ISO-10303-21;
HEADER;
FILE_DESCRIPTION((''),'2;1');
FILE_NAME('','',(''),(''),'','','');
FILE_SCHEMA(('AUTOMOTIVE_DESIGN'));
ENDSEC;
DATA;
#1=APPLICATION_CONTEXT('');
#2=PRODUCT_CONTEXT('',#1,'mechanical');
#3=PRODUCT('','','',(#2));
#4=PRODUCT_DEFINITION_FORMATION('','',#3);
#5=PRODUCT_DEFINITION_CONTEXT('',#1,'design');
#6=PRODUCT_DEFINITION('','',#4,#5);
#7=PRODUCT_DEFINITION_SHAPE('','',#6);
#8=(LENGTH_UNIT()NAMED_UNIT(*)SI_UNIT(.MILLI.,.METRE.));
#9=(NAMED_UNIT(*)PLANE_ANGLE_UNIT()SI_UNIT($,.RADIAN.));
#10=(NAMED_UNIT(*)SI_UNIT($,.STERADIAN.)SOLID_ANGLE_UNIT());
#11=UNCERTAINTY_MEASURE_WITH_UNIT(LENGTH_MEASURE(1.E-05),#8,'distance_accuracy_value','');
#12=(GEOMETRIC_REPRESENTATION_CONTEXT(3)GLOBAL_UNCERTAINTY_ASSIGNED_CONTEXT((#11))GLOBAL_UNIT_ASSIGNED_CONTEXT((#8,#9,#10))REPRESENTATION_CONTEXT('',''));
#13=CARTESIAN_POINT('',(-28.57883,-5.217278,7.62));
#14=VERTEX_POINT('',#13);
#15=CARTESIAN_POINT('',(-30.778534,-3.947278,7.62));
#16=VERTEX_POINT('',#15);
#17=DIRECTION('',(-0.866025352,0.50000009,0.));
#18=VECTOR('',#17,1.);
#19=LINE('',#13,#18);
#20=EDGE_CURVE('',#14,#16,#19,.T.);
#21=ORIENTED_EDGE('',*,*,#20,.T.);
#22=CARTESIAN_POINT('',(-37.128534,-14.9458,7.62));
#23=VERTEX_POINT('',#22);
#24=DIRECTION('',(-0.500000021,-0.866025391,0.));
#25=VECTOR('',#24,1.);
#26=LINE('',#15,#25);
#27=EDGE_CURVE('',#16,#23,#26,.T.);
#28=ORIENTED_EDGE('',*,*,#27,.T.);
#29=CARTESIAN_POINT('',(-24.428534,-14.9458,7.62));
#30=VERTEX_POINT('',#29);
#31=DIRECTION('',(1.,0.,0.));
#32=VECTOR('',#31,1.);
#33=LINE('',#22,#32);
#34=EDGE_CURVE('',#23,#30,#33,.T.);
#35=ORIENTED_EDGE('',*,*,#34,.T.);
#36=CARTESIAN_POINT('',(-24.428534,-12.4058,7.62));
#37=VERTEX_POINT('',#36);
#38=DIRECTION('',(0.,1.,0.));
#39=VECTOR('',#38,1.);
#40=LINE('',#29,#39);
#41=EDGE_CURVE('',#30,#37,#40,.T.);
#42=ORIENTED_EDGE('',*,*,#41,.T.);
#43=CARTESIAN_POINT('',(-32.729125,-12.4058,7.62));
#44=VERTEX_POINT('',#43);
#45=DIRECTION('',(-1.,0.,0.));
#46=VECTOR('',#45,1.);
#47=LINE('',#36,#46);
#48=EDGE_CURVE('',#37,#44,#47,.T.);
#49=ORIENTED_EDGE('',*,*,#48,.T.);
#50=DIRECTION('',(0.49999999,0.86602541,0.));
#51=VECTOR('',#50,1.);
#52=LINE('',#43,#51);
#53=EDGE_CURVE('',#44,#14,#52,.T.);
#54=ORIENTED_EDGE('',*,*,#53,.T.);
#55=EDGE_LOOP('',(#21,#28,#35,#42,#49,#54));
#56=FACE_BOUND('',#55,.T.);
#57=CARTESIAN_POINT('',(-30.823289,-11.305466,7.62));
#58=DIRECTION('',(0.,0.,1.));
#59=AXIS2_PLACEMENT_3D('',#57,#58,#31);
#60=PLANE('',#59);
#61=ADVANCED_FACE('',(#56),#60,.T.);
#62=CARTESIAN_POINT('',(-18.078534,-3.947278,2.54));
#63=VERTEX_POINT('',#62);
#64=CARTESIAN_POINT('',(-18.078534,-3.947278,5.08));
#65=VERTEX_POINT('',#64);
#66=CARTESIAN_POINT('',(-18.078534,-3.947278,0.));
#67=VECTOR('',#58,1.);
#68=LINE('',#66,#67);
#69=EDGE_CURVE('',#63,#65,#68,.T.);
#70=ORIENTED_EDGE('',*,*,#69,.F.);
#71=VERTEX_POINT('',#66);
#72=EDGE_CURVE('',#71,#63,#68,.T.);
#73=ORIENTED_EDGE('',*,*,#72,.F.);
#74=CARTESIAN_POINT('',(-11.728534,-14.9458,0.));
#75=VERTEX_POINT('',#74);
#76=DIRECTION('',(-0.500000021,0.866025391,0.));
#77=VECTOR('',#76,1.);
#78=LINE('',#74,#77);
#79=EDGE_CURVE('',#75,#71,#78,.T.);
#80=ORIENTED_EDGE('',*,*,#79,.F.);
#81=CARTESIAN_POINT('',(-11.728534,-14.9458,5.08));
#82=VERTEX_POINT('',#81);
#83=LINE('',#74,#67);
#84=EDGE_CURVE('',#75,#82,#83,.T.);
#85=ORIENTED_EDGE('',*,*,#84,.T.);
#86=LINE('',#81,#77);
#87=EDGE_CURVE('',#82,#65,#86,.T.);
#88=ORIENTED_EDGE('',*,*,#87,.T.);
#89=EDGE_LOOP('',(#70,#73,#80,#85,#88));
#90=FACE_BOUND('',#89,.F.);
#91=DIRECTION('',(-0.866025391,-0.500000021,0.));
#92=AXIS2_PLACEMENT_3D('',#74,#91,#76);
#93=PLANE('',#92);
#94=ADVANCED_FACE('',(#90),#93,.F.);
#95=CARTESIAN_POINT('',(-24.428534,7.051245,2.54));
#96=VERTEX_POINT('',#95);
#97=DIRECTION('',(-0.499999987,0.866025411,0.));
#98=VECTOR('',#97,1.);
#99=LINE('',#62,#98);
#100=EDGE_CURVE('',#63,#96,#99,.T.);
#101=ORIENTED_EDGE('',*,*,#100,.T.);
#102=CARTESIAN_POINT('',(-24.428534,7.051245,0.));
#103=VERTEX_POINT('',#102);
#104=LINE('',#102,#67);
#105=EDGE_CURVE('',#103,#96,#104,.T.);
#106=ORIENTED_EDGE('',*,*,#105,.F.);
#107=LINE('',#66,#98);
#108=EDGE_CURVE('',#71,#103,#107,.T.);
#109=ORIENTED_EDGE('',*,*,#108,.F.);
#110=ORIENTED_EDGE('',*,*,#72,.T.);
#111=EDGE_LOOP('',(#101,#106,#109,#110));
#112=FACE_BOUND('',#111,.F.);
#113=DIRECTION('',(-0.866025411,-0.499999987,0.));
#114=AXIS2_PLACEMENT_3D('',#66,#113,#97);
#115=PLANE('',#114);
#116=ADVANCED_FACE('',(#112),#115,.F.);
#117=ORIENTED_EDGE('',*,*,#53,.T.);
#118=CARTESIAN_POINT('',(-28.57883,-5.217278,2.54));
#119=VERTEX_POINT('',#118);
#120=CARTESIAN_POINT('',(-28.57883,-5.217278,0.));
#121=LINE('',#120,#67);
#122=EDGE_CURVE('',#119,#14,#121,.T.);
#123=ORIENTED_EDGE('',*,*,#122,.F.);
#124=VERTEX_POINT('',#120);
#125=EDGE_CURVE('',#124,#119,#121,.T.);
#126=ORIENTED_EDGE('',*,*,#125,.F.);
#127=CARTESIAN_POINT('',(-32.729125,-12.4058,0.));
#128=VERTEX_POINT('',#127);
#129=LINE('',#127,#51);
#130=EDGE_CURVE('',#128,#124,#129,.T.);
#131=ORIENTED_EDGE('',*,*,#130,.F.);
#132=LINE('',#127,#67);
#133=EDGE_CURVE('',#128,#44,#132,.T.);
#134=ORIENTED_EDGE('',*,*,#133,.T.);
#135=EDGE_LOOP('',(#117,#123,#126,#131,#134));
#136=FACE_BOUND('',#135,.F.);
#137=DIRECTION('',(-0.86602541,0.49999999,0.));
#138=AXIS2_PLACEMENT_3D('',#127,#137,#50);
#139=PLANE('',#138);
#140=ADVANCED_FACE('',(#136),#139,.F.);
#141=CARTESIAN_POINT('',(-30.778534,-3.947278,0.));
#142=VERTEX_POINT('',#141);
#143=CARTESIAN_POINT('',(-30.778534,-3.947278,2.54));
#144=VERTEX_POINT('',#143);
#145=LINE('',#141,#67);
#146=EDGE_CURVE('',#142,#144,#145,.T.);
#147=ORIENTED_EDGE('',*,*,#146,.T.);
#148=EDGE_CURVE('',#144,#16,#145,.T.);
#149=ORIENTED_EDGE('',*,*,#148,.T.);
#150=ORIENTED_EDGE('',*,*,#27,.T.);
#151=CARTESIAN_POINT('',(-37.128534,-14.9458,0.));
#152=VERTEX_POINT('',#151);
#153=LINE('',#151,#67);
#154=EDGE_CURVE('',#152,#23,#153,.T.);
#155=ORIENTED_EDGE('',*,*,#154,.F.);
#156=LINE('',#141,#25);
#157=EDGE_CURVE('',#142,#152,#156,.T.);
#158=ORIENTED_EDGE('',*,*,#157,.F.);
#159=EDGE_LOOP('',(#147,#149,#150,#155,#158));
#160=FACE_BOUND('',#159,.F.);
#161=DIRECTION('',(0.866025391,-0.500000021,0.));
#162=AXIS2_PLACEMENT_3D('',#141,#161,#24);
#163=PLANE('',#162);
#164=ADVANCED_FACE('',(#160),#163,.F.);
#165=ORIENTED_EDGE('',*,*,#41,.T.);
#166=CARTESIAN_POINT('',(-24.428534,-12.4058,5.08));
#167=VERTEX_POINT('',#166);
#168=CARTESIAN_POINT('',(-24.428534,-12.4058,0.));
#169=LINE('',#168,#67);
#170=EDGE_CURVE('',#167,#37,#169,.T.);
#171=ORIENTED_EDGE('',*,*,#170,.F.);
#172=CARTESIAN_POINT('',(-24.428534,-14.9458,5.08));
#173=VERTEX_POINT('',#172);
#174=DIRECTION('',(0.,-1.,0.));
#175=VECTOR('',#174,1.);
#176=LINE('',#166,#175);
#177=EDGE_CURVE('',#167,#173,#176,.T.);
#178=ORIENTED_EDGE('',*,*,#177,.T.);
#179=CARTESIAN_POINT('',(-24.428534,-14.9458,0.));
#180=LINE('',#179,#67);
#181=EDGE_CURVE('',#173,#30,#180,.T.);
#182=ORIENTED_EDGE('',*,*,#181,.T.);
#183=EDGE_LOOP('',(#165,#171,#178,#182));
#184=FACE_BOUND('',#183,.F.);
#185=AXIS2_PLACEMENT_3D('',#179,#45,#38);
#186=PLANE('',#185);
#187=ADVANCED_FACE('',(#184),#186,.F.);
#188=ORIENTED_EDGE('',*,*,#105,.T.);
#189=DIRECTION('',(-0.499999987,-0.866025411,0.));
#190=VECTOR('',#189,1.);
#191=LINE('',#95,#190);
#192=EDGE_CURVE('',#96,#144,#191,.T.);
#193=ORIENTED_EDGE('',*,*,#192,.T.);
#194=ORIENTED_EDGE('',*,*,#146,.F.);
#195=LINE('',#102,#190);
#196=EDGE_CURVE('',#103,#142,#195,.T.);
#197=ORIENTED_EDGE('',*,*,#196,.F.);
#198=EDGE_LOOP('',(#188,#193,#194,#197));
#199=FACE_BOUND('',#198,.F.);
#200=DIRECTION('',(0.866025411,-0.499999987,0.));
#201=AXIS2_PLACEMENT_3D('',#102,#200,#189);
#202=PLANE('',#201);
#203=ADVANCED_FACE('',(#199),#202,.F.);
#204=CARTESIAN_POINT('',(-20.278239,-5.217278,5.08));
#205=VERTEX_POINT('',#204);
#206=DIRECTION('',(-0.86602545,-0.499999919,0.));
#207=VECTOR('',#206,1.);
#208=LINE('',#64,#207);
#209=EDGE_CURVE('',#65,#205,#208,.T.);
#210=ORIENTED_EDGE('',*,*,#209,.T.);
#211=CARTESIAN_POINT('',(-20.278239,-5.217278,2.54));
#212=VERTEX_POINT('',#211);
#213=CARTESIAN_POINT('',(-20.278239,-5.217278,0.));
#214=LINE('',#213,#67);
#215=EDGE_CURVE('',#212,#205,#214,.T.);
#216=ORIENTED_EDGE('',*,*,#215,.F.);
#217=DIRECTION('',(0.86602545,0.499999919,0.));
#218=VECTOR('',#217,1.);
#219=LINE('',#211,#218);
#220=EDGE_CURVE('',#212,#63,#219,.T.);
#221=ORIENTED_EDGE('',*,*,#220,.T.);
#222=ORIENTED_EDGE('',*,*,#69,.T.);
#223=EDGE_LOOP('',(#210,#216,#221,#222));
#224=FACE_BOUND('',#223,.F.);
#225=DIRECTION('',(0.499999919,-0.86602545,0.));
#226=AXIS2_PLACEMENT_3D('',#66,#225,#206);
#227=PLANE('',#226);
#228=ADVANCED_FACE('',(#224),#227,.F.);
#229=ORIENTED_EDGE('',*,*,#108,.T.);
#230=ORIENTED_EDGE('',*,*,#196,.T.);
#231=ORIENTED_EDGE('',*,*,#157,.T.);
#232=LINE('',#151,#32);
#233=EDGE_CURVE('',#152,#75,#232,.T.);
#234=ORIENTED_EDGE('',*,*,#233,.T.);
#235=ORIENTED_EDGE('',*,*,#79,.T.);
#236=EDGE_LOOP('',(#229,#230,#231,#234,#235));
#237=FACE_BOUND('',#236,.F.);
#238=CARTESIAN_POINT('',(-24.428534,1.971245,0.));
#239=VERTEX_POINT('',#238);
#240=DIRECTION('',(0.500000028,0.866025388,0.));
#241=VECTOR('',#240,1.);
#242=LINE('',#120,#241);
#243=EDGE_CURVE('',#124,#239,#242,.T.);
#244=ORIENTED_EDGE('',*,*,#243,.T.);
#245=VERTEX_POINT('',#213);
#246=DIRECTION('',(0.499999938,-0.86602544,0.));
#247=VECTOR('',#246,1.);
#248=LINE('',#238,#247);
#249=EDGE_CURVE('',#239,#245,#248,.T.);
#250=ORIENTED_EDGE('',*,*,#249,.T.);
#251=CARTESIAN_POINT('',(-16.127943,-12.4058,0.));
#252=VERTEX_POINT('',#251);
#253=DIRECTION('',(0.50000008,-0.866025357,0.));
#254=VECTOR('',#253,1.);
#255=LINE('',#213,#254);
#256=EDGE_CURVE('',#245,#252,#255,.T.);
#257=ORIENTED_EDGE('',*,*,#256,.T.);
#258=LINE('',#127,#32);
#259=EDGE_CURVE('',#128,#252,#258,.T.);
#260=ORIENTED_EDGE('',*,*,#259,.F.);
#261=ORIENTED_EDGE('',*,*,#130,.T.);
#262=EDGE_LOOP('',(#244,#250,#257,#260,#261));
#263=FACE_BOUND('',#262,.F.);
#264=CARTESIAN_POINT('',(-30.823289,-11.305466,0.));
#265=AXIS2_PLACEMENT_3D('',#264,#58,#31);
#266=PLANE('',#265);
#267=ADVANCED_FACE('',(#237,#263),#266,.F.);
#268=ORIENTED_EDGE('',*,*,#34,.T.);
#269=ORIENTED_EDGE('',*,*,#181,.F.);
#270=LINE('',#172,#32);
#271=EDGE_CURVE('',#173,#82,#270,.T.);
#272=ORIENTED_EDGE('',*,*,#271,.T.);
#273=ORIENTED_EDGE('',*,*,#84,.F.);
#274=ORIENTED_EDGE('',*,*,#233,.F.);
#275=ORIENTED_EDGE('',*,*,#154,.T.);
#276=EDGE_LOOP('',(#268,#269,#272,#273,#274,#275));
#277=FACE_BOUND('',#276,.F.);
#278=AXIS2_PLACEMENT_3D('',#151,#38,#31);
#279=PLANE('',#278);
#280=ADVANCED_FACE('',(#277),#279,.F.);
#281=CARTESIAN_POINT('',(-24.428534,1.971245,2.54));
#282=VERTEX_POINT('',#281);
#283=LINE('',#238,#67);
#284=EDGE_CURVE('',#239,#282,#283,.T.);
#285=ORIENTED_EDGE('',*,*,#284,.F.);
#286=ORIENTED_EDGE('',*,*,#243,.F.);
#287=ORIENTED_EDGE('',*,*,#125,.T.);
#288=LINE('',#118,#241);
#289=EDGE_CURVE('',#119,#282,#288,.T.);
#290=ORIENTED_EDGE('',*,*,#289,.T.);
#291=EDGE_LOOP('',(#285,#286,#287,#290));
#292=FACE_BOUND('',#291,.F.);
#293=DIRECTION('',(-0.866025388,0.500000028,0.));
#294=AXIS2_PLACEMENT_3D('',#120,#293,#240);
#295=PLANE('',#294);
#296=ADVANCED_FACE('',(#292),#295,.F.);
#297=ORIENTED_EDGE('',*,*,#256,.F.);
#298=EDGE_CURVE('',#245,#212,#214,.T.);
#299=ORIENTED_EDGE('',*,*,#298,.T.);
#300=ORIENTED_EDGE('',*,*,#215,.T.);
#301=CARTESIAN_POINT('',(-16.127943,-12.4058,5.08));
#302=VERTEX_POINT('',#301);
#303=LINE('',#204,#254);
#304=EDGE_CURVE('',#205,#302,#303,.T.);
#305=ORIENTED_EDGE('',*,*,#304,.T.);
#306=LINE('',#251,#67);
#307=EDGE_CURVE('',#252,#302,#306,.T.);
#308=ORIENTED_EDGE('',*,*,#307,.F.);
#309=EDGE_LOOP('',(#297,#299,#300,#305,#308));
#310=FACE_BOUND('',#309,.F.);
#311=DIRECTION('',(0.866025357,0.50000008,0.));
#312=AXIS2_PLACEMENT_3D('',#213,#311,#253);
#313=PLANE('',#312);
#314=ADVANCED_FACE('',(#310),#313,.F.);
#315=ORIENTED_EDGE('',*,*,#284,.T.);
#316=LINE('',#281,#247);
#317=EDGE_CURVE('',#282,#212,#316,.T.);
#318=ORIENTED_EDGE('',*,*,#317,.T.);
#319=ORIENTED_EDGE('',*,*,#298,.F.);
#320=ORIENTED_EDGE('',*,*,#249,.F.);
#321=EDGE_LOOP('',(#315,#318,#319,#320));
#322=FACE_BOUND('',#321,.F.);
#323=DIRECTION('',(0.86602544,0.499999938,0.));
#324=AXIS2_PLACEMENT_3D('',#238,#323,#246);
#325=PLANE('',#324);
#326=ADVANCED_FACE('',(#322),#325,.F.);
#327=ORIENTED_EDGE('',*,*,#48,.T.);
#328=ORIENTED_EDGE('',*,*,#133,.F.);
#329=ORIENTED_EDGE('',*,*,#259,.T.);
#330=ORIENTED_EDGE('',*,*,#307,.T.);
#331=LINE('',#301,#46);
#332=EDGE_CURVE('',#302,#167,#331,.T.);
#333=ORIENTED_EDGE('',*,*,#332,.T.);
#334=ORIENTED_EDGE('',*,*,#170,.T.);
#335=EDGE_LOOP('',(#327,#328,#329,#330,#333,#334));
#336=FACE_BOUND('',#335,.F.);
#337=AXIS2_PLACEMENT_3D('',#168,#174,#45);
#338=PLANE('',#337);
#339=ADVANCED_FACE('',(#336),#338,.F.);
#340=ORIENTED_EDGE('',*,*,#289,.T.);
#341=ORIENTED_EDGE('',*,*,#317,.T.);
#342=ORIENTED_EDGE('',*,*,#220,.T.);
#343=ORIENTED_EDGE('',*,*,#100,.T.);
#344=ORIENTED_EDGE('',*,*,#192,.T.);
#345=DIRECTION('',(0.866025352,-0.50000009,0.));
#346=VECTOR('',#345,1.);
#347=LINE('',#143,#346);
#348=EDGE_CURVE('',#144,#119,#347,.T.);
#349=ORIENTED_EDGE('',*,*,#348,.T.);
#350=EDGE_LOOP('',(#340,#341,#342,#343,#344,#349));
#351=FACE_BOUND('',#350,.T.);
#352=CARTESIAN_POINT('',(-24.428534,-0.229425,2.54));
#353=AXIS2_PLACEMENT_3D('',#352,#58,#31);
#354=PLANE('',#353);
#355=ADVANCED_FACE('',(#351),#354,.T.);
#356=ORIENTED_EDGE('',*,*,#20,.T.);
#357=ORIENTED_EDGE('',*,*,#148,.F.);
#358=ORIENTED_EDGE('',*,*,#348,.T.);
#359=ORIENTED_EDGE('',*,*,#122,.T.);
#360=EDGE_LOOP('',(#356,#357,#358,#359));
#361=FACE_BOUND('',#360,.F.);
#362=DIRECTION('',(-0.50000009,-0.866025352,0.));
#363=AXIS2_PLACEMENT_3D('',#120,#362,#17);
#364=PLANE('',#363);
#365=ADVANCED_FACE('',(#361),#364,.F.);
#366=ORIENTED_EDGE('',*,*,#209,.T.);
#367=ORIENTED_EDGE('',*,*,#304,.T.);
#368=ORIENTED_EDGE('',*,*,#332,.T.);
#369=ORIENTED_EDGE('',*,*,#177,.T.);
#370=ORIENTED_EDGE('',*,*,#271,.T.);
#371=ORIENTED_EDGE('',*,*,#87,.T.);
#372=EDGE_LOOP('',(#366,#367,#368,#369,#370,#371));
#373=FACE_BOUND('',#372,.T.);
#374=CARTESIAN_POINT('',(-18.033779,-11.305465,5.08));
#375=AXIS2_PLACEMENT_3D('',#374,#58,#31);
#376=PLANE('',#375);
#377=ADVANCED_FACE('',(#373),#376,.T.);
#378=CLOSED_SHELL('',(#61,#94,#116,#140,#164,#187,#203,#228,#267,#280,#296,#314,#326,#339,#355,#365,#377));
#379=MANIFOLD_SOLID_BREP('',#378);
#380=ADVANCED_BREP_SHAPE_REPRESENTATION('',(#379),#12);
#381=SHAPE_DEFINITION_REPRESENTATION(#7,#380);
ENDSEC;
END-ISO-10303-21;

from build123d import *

# Parameters (mm, degrees)
F1_DEPTH = 2.54
F2_DEPTH = 5.08
F3_DEPTH = 7.62


with BuildPart() as f1:
    # F0 (on Top) → F1 (new body)
    with BuildSketch(Plane.XY):
        Polygon((-24.428534, 7.051245), (-30.778534, -3.947278), (-28.57883, -5.217278), (-24.428534, 1.971245), (-20.278239, -5.217278), (-18.078534, -3.947278), align=None)
    extrude(amount=F1_DEPTH)

    # F0 (on Top) → F2 (join)
    with BuildSketch(Plane.XY):
        Polygon((-24.428534, -12.4058), (-24.428534, -14.9458), (-11.728534, -14.9458), (-18.078534, -3.947278), (-20.278239, -5.217278), (-16.127943, -12.4058), align=None)
    extrude(amount=F2_DEPTH)

    # F0 (on Top) → F3 (join)
    with BuildSketch(Plane.XY):
        Polygon((-30.778534, -3.947278), (-37.128534, -14.9458), (-24.428534, -14.9458), (-24.428534, -12.4058), (-32.729125, -12.4058), (-28.57883, -5.217278), align=None)
    extrude(amount=F3_DEPTH)


solid = f1.part
